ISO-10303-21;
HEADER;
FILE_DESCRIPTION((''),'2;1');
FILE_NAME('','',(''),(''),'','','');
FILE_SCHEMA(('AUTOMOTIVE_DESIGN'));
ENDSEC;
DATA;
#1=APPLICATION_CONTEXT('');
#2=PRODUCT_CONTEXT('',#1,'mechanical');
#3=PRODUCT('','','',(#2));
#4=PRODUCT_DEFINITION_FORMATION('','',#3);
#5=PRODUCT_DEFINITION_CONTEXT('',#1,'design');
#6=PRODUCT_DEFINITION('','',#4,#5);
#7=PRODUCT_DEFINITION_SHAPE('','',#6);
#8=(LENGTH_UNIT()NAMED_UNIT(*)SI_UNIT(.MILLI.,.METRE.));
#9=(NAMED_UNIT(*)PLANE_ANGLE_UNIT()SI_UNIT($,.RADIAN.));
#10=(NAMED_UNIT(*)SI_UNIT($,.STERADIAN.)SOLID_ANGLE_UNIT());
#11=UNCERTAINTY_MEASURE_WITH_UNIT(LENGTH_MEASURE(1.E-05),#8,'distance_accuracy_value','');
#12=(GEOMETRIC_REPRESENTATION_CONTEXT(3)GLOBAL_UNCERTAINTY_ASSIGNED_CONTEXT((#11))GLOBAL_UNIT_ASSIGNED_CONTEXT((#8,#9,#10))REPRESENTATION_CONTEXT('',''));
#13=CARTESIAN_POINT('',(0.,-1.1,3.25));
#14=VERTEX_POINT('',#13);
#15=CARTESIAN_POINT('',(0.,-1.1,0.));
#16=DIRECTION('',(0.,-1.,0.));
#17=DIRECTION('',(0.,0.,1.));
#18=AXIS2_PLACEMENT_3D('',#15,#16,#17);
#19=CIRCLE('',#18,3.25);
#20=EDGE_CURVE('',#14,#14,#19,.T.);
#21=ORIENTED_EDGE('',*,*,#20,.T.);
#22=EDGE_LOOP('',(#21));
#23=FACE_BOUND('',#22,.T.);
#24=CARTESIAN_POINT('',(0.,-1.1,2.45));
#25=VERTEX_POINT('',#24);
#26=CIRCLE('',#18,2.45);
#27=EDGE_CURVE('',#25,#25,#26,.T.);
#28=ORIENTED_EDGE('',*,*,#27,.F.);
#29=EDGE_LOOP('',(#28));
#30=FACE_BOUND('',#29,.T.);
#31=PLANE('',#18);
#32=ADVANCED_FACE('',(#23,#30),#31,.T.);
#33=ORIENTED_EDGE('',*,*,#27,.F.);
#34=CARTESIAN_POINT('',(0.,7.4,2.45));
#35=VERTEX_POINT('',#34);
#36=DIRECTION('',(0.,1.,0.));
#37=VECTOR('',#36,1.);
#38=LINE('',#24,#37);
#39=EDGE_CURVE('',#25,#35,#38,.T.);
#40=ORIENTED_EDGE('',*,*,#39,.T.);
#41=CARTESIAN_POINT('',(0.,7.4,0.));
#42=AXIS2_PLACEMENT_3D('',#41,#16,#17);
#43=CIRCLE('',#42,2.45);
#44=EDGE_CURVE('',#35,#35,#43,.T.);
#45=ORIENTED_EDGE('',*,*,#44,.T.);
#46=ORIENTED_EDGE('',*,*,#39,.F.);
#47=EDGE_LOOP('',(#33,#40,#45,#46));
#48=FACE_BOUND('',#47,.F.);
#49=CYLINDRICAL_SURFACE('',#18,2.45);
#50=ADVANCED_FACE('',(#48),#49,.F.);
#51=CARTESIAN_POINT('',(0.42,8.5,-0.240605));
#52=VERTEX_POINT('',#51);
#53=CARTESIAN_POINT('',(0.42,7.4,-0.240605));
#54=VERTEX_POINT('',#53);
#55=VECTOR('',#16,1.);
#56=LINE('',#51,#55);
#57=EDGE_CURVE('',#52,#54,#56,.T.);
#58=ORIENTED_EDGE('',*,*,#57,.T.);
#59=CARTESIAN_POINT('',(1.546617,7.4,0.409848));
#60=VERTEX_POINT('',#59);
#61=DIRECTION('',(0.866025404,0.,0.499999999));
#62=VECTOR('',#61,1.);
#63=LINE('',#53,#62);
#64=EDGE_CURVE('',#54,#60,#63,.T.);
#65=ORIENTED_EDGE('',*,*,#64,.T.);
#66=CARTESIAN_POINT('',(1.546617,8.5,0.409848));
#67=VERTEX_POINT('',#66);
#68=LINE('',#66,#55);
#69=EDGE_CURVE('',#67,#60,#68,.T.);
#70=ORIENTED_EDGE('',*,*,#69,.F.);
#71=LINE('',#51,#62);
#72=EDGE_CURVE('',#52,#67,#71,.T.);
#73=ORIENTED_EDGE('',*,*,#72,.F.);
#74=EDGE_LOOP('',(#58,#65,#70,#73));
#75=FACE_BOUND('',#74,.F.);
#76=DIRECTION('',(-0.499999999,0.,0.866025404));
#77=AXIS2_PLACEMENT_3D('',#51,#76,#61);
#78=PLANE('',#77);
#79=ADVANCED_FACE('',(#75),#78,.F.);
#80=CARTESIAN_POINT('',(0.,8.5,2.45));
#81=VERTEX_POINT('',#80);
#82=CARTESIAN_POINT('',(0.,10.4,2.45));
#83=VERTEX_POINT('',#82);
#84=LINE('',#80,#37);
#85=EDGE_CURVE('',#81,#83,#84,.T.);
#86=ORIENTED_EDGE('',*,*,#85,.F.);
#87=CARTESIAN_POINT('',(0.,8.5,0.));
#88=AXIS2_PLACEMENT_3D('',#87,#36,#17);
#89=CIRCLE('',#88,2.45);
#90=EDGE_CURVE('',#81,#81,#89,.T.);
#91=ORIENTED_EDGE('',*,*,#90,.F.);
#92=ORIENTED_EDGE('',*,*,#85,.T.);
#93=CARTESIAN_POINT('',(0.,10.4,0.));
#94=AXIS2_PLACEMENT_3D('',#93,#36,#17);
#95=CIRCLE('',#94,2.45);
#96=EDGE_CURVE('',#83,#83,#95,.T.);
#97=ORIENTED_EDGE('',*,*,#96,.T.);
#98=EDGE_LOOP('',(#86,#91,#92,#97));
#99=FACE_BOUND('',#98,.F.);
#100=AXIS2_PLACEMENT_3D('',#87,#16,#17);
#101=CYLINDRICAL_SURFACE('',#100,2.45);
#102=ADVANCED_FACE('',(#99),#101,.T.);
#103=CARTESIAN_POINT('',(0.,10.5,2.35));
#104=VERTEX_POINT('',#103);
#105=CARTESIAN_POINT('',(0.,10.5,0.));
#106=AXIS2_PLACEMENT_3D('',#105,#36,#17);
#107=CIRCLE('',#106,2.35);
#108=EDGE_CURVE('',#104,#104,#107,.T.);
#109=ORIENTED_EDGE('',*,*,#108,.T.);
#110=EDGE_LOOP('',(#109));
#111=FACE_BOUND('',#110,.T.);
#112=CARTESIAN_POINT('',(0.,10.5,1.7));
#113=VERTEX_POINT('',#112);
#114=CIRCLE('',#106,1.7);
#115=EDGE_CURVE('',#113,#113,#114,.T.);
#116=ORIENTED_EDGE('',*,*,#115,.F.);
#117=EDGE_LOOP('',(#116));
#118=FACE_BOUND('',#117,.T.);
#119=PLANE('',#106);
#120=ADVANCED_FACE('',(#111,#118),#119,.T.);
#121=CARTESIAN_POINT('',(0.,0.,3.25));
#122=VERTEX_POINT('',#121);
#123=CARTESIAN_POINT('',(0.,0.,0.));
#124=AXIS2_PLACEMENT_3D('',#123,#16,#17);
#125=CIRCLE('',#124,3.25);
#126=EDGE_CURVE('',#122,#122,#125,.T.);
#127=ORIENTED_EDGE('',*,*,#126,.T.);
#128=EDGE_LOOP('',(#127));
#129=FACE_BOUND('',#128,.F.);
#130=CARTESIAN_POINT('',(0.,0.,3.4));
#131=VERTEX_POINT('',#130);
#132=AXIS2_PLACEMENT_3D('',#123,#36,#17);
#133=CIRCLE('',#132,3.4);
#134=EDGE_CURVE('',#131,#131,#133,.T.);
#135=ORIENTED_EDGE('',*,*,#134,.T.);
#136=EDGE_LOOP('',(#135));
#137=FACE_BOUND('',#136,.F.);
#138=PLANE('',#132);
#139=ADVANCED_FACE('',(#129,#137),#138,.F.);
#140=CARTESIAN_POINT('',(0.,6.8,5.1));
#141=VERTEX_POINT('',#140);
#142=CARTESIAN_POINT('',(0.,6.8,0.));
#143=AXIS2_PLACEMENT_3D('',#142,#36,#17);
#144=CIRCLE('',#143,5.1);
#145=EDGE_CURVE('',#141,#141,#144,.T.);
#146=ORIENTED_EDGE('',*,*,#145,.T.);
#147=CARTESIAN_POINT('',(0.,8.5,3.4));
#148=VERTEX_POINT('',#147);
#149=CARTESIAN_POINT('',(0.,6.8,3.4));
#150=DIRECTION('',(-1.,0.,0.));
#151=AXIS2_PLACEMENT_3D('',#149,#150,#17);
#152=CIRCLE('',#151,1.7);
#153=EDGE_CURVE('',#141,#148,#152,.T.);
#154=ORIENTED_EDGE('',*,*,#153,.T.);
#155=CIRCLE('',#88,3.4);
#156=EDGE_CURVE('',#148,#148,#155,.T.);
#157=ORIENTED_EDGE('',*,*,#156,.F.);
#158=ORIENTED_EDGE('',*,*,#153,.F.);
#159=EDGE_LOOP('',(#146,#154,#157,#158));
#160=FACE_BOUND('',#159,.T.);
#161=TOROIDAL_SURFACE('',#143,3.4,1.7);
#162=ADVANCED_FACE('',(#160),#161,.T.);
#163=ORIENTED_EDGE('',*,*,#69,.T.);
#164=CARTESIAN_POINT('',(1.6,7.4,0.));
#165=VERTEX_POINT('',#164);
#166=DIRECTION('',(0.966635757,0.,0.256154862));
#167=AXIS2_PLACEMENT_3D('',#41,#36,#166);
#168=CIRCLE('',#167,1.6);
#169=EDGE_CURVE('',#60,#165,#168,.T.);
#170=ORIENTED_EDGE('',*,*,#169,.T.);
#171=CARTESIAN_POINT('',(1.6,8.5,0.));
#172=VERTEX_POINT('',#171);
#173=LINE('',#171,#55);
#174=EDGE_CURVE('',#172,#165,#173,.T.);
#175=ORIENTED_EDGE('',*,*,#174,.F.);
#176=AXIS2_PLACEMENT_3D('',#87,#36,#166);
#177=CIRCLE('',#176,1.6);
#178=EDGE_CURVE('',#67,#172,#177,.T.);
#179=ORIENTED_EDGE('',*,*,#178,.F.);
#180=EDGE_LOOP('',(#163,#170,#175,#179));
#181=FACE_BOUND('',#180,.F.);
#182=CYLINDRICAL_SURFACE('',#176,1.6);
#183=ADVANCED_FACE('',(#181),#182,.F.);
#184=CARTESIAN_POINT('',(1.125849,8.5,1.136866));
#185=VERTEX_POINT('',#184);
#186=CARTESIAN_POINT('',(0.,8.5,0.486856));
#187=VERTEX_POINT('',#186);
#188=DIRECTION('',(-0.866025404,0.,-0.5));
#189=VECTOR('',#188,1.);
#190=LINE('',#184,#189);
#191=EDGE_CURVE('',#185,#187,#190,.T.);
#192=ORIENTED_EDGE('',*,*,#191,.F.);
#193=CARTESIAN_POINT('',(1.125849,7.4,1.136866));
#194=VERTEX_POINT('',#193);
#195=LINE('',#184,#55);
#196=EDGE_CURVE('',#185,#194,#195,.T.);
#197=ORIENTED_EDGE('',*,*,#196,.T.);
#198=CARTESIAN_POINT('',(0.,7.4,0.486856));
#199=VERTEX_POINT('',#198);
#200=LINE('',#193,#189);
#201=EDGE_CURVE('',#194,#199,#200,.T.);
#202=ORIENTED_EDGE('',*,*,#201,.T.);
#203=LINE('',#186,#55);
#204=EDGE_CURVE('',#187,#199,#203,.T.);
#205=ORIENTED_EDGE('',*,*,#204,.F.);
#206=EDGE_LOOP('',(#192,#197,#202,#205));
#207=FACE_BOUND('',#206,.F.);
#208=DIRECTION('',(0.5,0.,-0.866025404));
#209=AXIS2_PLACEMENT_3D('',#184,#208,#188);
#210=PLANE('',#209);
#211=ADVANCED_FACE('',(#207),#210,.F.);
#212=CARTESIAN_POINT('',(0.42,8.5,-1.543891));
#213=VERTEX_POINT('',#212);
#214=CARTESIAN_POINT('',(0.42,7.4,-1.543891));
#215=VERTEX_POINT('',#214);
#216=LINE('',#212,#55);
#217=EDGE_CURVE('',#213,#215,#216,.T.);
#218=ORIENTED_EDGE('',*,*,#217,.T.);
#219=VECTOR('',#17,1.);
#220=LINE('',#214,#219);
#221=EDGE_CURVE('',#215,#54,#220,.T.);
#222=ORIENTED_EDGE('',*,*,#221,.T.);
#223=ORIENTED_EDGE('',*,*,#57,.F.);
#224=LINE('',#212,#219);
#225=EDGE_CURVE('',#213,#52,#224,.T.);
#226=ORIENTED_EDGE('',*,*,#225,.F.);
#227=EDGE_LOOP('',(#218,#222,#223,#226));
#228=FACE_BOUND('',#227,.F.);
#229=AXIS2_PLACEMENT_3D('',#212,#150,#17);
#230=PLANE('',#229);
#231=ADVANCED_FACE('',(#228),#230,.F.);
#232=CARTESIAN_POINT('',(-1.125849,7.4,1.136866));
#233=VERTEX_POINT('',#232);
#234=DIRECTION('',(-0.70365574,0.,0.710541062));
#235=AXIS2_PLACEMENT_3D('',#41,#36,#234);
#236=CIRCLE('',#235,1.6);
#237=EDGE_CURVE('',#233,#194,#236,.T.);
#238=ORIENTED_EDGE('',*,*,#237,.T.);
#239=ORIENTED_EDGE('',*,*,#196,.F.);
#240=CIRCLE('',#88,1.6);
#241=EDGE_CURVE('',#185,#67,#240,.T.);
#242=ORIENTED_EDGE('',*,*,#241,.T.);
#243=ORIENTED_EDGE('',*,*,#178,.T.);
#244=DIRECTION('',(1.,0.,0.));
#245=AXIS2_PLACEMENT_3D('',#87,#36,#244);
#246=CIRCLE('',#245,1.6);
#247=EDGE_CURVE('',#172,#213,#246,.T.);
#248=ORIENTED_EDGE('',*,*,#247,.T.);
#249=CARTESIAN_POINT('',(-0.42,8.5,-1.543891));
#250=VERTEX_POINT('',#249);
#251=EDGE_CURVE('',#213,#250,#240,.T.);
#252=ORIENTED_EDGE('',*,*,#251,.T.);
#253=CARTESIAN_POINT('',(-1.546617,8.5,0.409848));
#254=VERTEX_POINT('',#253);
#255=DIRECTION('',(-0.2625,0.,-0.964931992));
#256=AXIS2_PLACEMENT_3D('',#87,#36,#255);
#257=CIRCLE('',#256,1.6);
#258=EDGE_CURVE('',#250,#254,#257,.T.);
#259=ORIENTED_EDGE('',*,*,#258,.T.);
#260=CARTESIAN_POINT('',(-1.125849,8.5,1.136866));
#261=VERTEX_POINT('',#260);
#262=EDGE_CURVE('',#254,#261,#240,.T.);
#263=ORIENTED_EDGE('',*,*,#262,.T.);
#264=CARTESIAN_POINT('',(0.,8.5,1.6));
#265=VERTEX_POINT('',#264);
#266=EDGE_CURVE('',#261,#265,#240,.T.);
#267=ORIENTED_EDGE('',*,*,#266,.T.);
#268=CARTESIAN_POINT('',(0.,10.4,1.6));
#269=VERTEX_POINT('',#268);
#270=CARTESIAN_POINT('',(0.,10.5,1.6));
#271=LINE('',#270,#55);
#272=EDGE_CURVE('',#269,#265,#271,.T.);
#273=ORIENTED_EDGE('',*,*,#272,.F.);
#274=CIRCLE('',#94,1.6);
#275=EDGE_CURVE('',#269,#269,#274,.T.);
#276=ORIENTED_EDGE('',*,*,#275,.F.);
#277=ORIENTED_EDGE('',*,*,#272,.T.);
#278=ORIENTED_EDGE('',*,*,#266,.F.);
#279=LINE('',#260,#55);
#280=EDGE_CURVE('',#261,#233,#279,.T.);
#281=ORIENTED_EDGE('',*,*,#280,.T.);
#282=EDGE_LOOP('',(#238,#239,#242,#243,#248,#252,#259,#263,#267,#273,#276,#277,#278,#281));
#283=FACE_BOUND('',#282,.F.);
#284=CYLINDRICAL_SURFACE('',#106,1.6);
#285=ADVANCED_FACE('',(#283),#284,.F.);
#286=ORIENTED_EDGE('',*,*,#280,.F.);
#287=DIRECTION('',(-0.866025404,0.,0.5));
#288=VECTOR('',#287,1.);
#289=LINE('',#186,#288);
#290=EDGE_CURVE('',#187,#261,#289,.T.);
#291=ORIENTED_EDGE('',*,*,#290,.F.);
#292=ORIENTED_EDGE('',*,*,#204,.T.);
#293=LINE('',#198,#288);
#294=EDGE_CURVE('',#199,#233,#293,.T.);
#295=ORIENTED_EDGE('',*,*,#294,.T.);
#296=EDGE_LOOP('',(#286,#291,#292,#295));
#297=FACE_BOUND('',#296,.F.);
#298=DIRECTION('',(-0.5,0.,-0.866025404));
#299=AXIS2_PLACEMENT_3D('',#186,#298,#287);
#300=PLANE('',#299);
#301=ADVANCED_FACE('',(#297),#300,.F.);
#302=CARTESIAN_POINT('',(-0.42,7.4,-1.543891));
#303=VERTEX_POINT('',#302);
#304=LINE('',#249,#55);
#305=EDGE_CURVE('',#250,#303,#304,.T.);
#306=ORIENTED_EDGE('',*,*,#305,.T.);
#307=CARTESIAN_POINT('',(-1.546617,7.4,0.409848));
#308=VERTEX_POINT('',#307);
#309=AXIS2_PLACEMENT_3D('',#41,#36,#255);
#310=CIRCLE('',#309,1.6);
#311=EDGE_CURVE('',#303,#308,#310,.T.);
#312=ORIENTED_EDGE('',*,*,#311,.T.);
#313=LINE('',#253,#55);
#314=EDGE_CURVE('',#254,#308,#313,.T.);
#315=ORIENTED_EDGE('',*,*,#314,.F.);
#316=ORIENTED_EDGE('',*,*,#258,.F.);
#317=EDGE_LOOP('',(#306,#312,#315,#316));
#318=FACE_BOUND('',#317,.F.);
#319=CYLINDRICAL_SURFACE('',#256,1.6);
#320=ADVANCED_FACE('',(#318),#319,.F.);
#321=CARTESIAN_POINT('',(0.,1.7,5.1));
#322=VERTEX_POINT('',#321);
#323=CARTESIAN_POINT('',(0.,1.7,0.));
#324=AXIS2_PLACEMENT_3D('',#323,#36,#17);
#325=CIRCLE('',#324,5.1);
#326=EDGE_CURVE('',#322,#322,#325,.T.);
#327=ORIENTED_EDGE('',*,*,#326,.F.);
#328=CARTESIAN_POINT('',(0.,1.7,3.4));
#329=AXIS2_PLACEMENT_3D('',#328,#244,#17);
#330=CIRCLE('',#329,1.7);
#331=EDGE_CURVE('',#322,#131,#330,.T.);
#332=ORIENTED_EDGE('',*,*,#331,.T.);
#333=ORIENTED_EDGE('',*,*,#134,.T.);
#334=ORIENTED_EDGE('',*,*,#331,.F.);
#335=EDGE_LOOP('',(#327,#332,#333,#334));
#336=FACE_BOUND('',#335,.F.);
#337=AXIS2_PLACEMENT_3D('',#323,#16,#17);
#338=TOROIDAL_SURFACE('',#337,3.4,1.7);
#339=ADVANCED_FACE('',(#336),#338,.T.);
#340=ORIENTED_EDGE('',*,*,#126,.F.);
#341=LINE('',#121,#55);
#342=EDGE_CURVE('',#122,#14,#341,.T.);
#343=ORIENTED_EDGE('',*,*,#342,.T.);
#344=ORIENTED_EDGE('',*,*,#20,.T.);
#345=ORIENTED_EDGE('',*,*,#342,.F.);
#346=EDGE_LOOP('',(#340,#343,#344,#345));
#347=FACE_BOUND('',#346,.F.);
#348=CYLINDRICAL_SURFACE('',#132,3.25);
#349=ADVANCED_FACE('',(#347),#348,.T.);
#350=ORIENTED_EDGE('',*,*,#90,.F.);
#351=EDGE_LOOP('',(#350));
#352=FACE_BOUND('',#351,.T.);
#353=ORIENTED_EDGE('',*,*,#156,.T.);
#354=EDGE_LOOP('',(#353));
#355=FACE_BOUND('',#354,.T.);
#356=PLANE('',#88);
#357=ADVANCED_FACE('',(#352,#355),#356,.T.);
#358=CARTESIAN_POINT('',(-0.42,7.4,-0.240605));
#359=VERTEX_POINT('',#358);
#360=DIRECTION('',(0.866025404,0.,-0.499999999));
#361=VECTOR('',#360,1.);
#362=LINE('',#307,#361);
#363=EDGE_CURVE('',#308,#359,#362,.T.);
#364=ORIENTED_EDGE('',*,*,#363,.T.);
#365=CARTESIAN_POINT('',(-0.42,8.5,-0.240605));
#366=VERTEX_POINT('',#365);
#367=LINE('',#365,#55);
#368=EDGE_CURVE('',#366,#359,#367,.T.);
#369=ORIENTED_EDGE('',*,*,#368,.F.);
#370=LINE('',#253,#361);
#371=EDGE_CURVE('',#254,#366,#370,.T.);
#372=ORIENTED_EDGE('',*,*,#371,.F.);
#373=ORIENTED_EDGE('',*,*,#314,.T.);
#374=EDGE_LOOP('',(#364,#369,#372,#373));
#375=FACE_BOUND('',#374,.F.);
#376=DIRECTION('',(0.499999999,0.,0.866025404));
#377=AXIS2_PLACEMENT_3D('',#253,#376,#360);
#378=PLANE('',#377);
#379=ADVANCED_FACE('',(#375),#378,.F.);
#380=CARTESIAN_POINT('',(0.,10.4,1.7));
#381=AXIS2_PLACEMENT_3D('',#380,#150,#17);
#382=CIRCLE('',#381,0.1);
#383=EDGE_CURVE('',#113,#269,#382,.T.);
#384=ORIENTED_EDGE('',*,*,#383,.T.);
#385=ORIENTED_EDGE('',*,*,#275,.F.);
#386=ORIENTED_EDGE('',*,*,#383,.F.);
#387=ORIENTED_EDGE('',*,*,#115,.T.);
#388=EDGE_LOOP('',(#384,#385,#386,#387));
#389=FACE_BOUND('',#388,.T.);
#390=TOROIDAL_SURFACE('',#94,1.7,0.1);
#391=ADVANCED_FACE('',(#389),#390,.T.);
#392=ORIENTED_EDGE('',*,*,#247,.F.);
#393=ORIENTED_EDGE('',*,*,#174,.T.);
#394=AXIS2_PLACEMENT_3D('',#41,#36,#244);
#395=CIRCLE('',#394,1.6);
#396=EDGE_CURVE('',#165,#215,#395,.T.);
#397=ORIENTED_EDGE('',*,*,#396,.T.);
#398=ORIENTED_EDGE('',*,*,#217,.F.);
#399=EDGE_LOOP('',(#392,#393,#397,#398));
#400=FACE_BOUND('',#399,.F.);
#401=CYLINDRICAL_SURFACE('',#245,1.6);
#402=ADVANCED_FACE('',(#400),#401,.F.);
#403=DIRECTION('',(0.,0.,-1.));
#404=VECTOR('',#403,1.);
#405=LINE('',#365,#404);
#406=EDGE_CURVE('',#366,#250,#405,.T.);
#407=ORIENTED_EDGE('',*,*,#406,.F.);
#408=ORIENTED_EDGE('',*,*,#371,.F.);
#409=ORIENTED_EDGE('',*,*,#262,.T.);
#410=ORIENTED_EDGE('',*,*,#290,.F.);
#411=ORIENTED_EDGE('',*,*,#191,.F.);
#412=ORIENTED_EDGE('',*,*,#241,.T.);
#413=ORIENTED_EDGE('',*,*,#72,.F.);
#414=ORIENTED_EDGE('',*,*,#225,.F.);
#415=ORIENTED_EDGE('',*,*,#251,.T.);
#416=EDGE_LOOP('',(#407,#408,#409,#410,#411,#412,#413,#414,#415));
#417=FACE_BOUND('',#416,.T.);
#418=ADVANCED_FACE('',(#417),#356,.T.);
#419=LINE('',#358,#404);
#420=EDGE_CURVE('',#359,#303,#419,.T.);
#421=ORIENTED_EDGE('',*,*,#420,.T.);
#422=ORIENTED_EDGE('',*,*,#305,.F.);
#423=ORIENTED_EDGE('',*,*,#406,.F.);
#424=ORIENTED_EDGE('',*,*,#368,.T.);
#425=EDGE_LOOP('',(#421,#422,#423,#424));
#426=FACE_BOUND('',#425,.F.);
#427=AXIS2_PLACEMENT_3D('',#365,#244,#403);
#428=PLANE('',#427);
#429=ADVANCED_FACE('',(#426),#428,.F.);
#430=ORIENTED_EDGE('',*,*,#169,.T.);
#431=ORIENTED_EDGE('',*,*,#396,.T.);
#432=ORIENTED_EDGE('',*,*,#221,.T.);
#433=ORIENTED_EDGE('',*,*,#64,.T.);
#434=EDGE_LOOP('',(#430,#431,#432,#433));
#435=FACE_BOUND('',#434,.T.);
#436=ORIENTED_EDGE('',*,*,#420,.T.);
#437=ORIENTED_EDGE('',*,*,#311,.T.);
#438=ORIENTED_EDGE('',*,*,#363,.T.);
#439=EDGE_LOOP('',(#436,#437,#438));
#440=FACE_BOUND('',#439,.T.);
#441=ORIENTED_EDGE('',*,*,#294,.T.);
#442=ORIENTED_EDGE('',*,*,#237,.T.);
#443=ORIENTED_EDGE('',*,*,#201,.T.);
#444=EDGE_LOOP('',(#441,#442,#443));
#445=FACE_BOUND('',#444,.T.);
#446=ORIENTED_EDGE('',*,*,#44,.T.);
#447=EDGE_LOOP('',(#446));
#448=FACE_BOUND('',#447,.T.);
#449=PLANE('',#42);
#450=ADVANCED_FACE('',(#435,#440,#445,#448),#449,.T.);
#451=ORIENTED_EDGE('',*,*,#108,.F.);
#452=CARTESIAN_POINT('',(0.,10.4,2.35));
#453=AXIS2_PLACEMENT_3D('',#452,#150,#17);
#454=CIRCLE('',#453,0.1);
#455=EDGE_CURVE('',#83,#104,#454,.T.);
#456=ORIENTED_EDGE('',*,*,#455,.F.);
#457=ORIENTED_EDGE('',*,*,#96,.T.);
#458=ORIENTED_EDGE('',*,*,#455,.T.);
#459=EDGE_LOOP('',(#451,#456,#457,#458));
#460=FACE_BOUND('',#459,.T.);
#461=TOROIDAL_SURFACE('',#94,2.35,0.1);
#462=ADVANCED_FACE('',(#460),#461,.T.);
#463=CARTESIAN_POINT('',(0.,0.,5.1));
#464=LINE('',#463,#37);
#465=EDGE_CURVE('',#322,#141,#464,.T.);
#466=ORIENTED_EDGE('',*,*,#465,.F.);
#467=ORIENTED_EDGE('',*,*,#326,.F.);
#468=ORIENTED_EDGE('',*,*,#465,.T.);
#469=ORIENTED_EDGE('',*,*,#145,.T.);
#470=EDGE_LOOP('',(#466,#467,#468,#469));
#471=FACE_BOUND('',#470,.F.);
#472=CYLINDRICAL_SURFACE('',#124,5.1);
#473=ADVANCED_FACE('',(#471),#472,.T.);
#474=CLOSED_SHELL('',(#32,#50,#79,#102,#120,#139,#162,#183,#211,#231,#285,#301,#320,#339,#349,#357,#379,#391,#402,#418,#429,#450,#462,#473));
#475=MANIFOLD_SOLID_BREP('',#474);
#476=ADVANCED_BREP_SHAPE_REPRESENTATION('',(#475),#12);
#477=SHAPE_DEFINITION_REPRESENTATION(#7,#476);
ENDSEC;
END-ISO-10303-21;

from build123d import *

# Parameters (mm, degrees)
SKETCH2_R           = 5.1
BOSS_EXTRUDE1_DEPTH = 8.5
SKETCH3_R           = 2.45
BOSS_EXTRUDE2_DEPTH = 2
SKETCH4_R           = 1.6
CUT_EXTRUDE1_DEPTH  = 2
FILLET1_R           = 1.7
FILLET2_R           = 0.1
SKETCH5_R           = 3.25
BOSS_EXTRUDE3_DEPTH = 1.1
SKETCH6_R           = 2.45
CUT_EXTRUDE2_DEPTH  = 8.5
CUT_EXTRUDE3_DEPTH  = 1.1


with BuildPart() as part:
    # Sketch2 → Boss-Extrude1 (new body)
    with BuildSketch(Plane(origin=(0, 0, 0), x_dir=(1, 0, 0), z_dir=(0, 1, 0))):
        with Locations(Location((0, 0, 0), (0, 0, 270))):
            Circle(SKETCH2_R)
    extrude(amount=BOSS_EXTRUDE1_DEPTH)

    # Sketch3 → Boss-Extrude2 (add)
    with BuildSketch(Plane(origin=(0, 8.5, 0), x_dir=(1, 0, 0), z_dir=(0, 1, 0))):
        with Locations(Location((0, 0, 0), (0, 0, 270))):
            Circle(SKETCH3_R)
    extrude(amount=BOSS_EXTRUDE2_DEPTH)

    # Sketch4 → Cut-Extrude1 (cut)
    with BuildSketch(Plane(origin=(0, 10.5, 0), x_dir=(1, 0, 0), z_dir=(0, 1, 0))):
        with Locations(Location((0, 0, 0), (0, 0, 270))):
            Circle(SKETCH4_R)
    extrude(amount=-CUT_EXTRUDE1_DEPTH, mode=Mode.SUBTRACT)

    # Fillet1
    fillet1_edges = [part.edges().sort_by_distance(p)[0] for p in [
        (0, 0, -5.1),
        (0, 8.5, -5.1),
    ]]
    fillet(fillet1_edges, radius=FILLET1_R)

    # Fillet2
    fillet2_edges = [part.edges().sort_by_distance(p)[0] for p in [
        (0, 10.5, -1.6),
        (0, 10.5, -2.45),
    ]]
    fillet(fillet2_edges, radius=FILLET2_R)

    # Sketch5 → Boss-Extrude3 (add)
    with BuildSketch(Plane.XZ):
        with Locations(Location((0, 0, 0), (0, 0, 90))):
            Circle(SKETCH5_R)
    extrude(amount=BOSS_EXTRUDE3_DEPTH)

    # Sketch6 → Cut-Extrude2 (cut)
    with BuildSketch(Plane.XZ.offset(1.1)):
        with Locations(Location((0, 0, 0), (0, 0, 90))):
            Circle(SKETCH6_R)
    extrude(amount=-CUT_EXTRUDE2_DEPTH, mode=Mode.SUBTRACT)

    # Sketch11 → Cut-Extrude3 (cut)
    with BuildSketch(Plane(origin=(0, 8.5, 0), x_dir=(1, 0, 0), z_dir=(0, 1, 0))):
        with BuildLine():
            Line((-0.42, 0.240604968), (-0.42, 1.543891188))
            ThreePointArc((-0.42, 1.543891188), (-1.386062698, 0.799268539), (-1.546617211, -0.409847781))
            Line((-1.546617211, -0.409847781), (-0.42, 0.240604968))
        make_face()
        with BuildLine():
            ThreePointArc((1.6, 0), (1.271219887, 0.971596624), (0.42, 1.543891188))
            Line((0.42, 1.543891188), (0.42, 0.240604968))
            Line((0.42, 0.240604968), (1.546617211, -0.409847781))
            ThreePointArc((1.546617211, -0.409847781), (1.586598175, -0.206654861), (1.6, 0))
        make_face()
        with BuildLine():
            Line((0, -0.486856371), (-1.125849182, -1.136865699))
            ThreePointArc((-1.125849182, -1.136865699), (0, -1.6), (1.125849182, -1.136865699))
            Line((1.125849182, -1.136865699), (0, -0.486856371))
        make_face()
    extrude(amount=-CUT_EXTRUDE3_DEPTH, mode=Mode.SUBTRACT)


solid = part.part
